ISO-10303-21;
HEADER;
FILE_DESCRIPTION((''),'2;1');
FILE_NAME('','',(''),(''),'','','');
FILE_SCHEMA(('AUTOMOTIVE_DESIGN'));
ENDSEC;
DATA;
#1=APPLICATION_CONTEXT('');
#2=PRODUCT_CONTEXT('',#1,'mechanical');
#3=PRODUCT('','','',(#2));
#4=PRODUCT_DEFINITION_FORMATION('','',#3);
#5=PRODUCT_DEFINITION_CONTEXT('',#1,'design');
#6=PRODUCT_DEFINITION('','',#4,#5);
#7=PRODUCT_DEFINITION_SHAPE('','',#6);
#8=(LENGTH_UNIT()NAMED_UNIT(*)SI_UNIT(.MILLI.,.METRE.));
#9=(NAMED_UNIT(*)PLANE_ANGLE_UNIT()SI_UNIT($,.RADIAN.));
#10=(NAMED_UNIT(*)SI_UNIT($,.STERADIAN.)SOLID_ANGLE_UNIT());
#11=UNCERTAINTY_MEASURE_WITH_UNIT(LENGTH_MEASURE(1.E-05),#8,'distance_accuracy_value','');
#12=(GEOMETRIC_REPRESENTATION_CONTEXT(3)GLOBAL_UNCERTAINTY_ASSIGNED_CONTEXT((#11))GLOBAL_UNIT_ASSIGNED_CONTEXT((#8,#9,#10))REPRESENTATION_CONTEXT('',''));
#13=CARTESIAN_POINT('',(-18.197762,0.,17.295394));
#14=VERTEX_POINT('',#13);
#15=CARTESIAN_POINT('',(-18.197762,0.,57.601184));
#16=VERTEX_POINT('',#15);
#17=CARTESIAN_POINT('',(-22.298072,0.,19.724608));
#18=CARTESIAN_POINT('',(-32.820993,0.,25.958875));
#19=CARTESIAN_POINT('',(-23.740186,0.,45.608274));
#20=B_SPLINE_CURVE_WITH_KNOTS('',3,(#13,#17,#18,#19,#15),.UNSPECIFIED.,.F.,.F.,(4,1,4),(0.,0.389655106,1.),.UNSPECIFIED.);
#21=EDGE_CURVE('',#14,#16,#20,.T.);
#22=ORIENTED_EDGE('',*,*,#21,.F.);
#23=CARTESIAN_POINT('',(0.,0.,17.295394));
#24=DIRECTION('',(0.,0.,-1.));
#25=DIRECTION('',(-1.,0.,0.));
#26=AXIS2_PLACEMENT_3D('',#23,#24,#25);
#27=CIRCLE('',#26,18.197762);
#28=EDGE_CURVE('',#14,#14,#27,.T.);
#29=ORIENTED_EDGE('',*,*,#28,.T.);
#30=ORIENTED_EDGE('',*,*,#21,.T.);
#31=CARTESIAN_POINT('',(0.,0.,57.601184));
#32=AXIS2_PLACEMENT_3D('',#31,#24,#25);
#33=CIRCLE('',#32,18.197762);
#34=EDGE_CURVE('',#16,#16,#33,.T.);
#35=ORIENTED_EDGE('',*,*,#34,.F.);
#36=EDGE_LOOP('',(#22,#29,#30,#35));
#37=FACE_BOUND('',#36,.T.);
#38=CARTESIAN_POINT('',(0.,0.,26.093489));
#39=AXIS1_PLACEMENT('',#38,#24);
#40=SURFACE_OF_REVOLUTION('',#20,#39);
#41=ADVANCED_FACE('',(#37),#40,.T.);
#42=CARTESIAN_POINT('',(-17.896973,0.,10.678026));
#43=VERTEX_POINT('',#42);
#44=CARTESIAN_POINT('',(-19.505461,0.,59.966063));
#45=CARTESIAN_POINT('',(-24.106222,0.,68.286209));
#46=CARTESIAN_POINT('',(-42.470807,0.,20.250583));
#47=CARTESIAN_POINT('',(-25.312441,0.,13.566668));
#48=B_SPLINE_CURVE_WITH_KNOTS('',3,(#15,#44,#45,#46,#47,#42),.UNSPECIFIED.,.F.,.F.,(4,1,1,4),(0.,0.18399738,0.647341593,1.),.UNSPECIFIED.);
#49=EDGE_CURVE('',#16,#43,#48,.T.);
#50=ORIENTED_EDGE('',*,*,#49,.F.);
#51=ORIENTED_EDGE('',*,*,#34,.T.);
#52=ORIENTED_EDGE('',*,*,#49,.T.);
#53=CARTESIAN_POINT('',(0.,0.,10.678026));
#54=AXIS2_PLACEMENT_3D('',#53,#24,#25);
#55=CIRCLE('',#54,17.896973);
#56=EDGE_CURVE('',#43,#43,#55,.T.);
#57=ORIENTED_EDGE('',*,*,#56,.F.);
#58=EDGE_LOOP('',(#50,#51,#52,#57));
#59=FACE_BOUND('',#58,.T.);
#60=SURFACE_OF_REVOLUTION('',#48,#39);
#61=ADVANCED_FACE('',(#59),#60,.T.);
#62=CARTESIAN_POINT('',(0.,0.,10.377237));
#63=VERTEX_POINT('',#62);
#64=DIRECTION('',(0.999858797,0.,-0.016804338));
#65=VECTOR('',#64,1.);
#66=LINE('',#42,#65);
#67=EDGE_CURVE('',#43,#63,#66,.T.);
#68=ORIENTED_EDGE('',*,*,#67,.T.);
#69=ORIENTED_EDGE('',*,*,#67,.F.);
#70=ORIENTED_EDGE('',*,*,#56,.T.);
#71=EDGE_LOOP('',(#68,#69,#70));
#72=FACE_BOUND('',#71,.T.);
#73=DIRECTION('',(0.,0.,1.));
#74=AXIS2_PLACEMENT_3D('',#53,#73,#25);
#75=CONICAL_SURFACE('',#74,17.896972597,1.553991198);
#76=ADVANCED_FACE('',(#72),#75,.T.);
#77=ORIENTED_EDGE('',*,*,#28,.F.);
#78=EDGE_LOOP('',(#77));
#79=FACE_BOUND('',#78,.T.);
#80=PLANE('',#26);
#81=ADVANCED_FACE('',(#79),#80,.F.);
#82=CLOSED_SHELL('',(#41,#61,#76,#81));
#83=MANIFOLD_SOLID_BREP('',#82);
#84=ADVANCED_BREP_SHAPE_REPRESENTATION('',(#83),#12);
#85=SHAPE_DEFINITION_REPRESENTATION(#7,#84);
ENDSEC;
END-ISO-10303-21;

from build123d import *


with BuildPart() as f1:
    # F0 (on Front) → F1 (revolve)
    with BuildSketch(Plane.XZ):
        with BuildLine():
            Line((-17.8969725966, 10.6780258939), (0, 10.3772366419))
            Line((0, 10.3772366419), (0, 17.2953940928))
            Line((0, 17.2953940928), (-18.1977618486, 17.2953940928))
            add(Edge.make_bspline(
                [(-18.1977618486, 17.2953940928), (-22.2980718144, 19.724608072), (-32.8209929988, 25.9588751045), (-23.7401860229, 45.6082736025), (-18.1977618486, 57.6011836529)],
                knots=[0, 0, 0, 0, 0.3896551056, 1, 1, 1, 1], degree=3))
            add(Edge.make_bspline(
                [(-18.1977618486, 57.6011836529), (-19.5054609545, 59.9660632551), (-24.1062222341, 68.2862085053), (-42.4708065574, 20.250583393), (-25.3124411851, 13.56666751), (-17.8969725966, 10.6780258939)],
                knots=[0, 0, 0, 0, 0.1839973803, 0.6473415932, 1, 1, 1, 1], degree=3))
        make_face()
    revolve(axis=Axis((0, 0, 26.0934885591), (0, 0, -1)))


solid = f1.part
